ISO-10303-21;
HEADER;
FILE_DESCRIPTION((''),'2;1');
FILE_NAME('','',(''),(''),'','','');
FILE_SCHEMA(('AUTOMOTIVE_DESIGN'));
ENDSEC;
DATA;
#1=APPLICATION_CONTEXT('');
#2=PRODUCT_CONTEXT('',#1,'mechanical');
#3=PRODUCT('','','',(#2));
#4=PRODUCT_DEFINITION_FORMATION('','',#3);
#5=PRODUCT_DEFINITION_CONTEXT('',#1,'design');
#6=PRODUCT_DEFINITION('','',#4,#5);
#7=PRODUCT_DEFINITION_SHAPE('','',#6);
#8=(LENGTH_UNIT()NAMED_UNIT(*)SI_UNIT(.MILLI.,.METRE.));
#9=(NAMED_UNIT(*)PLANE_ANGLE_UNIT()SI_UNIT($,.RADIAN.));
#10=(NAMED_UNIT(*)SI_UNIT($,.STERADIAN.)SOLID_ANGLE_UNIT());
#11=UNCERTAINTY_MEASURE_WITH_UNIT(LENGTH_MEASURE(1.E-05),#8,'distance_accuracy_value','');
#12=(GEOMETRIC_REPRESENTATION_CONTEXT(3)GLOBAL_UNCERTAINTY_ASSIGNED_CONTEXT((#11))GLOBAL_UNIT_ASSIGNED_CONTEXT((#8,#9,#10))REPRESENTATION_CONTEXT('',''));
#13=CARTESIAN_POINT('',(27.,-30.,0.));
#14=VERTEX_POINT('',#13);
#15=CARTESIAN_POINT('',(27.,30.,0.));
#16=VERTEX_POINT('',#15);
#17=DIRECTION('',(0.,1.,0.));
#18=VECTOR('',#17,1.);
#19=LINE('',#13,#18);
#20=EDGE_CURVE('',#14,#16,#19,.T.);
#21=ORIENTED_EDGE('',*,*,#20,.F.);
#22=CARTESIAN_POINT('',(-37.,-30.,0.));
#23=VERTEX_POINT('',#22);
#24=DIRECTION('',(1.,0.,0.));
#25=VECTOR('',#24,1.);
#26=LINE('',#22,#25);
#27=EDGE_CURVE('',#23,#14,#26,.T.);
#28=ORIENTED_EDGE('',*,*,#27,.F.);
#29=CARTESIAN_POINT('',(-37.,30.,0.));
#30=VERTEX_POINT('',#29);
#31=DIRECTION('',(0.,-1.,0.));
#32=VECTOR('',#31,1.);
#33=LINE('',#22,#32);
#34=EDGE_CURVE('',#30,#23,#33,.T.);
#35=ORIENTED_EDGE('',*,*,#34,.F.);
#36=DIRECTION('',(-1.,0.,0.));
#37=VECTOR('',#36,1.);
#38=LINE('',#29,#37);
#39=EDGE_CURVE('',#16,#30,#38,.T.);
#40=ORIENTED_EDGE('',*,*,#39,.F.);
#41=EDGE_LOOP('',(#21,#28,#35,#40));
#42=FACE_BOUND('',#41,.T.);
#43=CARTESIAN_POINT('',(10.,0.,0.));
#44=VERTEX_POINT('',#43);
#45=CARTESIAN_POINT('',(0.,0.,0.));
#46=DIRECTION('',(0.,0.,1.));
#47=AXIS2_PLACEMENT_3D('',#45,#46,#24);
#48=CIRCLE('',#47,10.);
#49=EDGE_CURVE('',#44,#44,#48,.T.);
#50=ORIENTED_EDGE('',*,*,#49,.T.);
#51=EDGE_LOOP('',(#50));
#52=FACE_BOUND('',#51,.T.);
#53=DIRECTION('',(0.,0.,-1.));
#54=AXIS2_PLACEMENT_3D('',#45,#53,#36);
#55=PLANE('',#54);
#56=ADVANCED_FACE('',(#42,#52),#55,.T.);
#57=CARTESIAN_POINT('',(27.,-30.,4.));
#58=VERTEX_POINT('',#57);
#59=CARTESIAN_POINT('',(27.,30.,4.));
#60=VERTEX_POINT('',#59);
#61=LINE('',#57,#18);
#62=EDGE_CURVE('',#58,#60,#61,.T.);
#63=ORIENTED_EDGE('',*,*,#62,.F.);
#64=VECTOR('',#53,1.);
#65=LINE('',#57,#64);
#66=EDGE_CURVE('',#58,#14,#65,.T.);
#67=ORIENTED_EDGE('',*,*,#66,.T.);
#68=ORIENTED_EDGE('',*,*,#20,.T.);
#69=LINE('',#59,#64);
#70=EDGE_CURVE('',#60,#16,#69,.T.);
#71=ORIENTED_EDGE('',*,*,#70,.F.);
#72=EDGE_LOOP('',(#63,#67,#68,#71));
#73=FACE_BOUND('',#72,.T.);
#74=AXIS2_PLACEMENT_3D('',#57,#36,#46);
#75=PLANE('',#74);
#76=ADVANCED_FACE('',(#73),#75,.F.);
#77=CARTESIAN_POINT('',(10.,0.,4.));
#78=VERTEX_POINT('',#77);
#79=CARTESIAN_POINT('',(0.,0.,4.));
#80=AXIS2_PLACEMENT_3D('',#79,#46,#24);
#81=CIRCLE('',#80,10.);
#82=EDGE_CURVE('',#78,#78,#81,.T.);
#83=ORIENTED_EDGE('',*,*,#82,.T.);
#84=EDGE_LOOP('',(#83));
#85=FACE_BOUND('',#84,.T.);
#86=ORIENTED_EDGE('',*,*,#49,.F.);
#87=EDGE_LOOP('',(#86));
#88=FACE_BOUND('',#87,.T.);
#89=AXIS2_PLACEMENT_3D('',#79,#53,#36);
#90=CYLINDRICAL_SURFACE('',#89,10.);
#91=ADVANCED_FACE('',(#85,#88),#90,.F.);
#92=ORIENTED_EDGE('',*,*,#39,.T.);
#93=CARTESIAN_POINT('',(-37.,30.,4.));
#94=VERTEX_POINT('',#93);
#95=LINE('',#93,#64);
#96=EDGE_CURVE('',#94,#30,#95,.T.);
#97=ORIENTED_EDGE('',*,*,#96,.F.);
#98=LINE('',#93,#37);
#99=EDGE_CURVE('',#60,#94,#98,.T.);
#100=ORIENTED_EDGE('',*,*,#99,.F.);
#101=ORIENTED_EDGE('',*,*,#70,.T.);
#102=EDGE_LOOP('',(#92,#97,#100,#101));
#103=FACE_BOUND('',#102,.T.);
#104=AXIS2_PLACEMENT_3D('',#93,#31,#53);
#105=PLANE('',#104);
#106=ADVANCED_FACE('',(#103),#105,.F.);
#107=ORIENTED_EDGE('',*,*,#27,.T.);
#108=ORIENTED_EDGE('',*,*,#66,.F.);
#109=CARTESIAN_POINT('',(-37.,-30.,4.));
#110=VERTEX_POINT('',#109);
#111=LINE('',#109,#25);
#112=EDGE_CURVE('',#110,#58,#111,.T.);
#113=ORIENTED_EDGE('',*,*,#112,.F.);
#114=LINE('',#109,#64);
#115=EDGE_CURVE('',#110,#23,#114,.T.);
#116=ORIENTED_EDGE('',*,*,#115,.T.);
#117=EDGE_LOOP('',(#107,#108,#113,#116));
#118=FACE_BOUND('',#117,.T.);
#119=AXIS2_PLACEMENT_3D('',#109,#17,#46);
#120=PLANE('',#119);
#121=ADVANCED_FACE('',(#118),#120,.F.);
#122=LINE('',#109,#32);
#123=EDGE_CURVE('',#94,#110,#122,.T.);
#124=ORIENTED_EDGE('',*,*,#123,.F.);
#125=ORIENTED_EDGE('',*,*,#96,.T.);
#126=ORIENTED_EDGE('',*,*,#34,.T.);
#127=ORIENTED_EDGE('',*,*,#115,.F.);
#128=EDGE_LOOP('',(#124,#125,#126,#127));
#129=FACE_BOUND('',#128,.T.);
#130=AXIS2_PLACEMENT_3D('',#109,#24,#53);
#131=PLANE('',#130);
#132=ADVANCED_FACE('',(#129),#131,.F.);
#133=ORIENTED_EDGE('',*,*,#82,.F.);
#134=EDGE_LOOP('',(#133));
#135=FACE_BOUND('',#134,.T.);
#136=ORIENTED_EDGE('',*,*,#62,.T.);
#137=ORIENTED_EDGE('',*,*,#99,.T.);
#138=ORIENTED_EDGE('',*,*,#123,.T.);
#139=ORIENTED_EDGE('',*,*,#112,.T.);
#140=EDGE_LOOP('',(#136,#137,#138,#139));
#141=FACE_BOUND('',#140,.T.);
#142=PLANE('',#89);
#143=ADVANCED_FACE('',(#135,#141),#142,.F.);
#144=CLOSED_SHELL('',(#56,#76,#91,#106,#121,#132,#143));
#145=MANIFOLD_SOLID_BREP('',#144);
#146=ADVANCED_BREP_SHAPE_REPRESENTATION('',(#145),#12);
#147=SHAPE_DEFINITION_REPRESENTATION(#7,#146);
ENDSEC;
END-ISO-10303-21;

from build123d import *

# Parameters (mm, degrees)
SKETCH1_W           = 64
SKETCH1_H           = 60
SKETCH1_R           = 10
BOSS_EXTRUDE1_DEPTH = 4


with BuildPart() as part:
    # Sketch1 → Boss-Extrude1 (new body)
    with BuildSketch(Plane.XY):
        with Locations((-5, 0)):
            Rectangle(SKETCH1_W, SKETCH1_H)
        Circle(SKETCH1_R, mode=Mode.SUBTRACT)
    extrude(amount=BOSS_EXTRUDE1_DEPTH)


solid = part.part
